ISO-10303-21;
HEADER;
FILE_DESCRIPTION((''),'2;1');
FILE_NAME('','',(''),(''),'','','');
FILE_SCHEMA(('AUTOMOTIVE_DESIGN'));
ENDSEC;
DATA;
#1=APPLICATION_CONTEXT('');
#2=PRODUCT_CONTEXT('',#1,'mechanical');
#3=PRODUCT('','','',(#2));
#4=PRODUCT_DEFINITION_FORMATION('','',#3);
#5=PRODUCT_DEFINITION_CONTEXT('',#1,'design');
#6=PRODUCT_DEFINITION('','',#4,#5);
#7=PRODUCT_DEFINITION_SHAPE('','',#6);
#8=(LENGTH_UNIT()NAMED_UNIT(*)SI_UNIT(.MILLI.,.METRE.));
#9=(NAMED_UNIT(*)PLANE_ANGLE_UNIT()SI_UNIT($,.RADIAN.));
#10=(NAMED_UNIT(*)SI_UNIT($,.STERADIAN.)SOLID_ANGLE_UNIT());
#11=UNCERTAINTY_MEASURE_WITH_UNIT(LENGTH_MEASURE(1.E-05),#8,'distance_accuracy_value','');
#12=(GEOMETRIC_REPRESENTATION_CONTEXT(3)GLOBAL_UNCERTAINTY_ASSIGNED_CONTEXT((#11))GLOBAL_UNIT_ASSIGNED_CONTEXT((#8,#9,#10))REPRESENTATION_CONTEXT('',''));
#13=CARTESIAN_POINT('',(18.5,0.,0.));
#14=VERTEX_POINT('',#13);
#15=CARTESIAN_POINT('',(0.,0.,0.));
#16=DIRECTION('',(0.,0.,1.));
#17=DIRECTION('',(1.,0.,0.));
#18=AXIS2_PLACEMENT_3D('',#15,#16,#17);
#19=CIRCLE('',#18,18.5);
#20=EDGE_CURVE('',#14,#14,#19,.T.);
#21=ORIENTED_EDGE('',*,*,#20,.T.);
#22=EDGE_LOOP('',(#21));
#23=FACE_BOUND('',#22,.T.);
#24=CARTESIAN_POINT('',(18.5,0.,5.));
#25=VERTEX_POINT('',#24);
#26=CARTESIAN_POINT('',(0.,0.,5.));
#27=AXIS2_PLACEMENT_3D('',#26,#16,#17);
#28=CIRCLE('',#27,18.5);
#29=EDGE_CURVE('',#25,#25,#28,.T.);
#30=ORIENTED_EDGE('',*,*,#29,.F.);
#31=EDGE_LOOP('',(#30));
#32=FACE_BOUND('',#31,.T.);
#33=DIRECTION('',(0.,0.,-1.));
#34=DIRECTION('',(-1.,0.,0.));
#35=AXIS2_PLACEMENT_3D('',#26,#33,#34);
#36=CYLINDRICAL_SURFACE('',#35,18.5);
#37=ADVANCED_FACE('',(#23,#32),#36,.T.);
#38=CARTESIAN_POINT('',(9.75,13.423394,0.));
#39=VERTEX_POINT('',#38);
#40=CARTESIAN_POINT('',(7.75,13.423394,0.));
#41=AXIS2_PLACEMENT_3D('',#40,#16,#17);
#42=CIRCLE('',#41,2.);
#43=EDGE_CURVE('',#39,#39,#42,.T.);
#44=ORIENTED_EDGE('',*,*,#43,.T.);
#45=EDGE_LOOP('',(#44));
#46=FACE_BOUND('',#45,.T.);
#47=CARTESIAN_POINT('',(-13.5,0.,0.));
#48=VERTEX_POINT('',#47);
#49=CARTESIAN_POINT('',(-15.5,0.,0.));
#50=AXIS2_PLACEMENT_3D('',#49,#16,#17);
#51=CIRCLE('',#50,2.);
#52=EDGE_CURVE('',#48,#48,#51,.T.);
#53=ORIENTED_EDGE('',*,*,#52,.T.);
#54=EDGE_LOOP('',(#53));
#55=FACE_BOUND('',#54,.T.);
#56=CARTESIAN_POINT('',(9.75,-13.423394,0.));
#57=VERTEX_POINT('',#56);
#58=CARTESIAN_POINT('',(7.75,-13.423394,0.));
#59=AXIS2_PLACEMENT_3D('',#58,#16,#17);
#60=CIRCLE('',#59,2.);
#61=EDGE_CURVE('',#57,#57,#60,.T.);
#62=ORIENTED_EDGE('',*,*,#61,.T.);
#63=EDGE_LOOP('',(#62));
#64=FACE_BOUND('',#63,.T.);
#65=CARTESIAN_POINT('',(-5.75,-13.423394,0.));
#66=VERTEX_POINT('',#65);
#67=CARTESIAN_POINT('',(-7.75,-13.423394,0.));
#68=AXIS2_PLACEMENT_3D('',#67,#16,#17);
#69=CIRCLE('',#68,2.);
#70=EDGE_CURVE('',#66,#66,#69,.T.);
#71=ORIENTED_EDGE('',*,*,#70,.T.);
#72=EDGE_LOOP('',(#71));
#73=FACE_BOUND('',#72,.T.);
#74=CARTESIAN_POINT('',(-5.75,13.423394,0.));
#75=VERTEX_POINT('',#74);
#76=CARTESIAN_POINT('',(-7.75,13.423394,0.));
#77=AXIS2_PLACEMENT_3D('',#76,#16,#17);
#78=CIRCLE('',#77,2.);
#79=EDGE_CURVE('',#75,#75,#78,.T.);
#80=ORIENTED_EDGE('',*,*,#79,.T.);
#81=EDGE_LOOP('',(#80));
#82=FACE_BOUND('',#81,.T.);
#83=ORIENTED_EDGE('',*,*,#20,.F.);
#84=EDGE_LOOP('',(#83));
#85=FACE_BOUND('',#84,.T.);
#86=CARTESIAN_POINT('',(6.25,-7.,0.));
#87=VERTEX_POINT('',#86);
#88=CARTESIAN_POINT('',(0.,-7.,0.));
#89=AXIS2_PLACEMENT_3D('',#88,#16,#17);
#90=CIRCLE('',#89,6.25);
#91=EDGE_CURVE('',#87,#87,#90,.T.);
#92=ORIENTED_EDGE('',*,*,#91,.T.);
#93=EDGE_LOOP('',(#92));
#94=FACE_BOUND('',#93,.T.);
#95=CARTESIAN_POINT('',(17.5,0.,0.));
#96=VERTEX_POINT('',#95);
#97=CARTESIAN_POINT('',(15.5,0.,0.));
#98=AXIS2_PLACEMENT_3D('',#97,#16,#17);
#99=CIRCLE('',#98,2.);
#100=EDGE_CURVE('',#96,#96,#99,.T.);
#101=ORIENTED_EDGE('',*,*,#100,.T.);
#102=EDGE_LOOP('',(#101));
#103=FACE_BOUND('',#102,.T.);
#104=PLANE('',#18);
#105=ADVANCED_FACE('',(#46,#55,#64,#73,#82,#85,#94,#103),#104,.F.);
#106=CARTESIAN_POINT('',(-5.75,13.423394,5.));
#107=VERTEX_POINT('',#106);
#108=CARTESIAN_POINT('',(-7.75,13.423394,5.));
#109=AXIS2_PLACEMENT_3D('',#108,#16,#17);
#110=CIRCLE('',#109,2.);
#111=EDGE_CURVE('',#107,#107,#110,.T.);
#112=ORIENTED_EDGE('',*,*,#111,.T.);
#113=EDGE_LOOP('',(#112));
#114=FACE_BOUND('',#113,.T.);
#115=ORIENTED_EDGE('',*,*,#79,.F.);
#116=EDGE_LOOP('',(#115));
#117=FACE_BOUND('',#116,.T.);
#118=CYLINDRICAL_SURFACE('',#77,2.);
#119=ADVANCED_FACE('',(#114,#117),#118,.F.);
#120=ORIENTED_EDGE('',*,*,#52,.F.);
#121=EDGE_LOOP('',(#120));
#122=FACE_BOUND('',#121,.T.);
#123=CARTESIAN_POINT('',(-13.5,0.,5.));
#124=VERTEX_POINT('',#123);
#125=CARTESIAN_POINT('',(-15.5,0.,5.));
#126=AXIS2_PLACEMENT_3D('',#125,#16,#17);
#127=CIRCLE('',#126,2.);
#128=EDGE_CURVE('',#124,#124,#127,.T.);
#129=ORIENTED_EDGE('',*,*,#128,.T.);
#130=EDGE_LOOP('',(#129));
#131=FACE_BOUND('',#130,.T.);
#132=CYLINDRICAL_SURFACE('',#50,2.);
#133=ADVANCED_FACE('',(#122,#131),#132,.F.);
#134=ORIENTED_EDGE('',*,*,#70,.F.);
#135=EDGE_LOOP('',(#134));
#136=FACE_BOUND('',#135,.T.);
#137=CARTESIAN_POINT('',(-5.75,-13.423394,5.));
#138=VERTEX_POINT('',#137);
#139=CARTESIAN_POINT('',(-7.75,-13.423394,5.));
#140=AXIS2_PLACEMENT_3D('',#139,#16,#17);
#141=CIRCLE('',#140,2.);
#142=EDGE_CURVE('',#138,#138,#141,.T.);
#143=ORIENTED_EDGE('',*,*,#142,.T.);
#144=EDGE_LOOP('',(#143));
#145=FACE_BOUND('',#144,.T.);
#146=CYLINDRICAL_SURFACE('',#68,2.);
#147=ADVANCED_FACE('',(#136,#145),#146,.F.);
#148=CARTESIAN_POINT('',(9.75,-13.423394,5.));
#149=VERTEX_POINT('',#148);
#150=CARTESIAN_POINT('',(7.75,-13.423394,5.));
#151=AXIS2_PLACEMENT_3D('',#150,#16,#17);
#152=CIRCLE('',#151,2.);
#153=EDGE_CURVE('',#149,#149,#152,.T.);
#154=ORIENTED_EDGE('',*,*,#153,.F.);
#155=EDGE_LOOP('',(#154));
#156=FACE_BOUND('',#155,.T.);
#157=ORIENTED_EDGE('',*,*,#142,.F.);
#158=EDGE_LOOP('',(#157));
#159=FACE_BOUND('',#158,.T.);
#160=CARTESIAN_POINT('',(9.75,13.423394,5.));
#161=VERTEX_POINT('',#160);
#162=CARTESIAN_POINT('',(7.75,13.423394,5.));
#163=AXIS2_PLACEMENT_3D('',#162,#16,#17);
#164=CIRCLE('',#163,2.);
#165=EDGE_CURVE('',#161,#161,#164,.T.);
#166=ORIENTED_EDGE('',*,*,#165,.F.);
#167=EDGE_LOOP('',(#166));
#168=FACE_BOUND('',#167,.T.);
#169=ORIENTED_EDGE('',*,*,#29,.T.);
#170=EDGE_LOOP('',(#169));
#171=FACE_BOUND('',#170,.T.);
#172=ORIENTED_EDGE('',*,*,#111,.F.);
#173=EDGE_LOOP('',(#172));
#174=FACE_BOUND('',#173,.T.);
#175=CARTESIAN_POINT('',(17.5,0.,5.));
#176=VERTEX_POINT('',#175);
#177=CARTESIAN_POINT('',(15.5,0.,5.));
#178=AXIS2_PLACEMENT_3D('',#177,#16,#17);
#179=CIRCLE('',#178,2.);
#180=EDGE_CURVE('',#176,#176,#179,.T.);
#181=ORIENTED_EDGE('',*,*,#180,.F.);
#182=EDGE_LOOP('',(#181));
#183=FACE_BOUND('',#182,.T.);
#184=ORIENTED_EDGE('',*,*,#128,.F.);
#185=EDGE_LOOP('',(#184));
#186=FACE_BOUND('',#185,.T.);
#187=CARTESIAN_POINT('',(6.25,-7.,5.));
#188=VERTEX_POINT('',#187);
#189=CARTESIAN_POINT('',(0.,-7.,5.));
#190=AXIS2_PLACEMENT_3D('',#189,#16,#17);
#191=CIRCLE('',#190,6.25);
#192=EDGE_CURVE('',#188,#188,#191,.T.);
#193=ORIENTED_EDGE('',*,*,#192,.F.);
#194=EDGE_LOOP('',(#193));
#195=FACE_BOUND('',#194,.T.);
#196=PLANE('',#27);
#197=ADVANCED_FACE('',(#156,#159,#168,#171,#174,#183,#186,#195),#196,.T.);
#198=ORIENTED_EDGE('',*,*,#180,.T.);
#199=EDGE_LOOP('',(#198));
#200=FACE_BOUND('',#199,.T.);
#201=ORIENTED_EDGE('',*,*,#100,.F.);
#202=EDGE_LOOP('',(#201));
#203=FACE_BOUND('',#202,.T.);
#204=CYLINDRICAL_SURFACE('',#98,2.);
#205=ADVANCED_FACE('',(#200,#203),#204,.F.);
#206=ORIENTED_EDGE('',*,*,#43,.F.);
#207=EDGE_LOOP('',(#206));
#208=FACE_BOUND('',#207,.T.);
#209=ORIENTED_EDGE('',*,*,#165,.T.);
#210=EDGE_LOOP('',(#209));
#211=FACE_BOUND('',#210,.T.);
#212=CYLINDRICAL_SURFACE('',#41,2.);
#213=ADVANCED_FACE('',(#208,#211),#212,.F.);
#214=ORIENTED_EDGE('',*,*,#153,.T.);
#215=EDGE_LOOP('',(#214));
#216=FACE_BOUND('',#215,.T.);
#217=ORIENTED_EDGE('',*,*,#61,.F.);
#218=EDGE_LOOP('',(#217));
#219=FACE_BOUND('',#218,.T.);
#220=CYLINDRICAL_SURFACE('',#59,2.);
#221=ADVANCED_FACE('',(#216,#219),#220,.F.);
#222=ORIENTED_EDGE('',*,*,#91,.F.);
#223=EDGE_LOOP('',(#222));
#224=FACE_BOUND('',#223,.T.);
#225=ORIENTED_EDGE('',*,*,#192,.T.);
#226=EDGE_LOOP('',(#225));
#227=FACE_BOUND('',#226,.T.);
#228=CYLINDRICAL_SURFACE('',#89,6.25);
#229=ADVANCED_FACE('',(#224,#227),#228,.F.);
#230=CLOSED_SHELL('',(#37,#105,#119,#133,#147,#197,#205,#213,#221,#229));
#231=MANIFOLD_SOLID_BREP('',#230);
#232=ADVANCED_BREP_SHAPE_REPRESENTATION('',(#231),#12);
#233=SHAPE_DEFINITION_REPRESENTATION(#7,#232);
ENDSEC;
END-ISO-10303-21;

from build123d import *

# Parameters (mm, degrees)
ESQUISSE1_R             = 18.5
BOSS_EXTRU_1_DEPTH      = 5
ESQUISSE2_R             = 2
ENL_V_MAT_EXTRU_1_DEPTH = 6
ESQUISSE3_R             = 6.25
ENL_V_MAT_EXTRU_2_DEPTH = 6


with BuildPart() as part:
    # Esquisse1 → Boss.-Extru.1 (new body)
    with BuildSketch(Plane.XY):
        Circle(ESQUISSE1_R)
    extrude(amount=BOSS_EXTRU_1_DEPTH)

    # Esquisse2 → Enlèv. mat.-Extru.1 (cut, through all)
    with BuildSketch(Plane.XY.offset(5)):
        with Locations((-15.5, 0)):
            Circle(ESQUISSE2_R)
        with Locations((15.5, 0)):
            Circle(ESQUISSE2_R)
        with Locations((7.75, -13.423393759)):
            Circle(ESQUISSE2_R)
        with Locations((-7.75, -13.423393759)):
            Circle(ESQUISSE2_R)
        with Locations((-7.75, 13.423393759)):
            Circle(ESQUISSE2_R)
        with Locations((7.75, 13.423393759)):
            Circle(ESQUISSE2_R)
    extrude(amount=-ENL_V_MAT_EXTRU_1_DEPTH, mode=Mode.SUBTRACT)

    # Esquisse3 → Enlèv. mat.-Extru.2 (cut, through all)
    with BuildSketch(Plane.XY.offset(5)):
        with Locations((0, -7)):
            Circle(ESQUISSE3_R)
    extrude(amount=-ENL_V_MAT_EXTRU_2_DEPTH, mode=Mode.SUBTRACT)


solid = part.part
